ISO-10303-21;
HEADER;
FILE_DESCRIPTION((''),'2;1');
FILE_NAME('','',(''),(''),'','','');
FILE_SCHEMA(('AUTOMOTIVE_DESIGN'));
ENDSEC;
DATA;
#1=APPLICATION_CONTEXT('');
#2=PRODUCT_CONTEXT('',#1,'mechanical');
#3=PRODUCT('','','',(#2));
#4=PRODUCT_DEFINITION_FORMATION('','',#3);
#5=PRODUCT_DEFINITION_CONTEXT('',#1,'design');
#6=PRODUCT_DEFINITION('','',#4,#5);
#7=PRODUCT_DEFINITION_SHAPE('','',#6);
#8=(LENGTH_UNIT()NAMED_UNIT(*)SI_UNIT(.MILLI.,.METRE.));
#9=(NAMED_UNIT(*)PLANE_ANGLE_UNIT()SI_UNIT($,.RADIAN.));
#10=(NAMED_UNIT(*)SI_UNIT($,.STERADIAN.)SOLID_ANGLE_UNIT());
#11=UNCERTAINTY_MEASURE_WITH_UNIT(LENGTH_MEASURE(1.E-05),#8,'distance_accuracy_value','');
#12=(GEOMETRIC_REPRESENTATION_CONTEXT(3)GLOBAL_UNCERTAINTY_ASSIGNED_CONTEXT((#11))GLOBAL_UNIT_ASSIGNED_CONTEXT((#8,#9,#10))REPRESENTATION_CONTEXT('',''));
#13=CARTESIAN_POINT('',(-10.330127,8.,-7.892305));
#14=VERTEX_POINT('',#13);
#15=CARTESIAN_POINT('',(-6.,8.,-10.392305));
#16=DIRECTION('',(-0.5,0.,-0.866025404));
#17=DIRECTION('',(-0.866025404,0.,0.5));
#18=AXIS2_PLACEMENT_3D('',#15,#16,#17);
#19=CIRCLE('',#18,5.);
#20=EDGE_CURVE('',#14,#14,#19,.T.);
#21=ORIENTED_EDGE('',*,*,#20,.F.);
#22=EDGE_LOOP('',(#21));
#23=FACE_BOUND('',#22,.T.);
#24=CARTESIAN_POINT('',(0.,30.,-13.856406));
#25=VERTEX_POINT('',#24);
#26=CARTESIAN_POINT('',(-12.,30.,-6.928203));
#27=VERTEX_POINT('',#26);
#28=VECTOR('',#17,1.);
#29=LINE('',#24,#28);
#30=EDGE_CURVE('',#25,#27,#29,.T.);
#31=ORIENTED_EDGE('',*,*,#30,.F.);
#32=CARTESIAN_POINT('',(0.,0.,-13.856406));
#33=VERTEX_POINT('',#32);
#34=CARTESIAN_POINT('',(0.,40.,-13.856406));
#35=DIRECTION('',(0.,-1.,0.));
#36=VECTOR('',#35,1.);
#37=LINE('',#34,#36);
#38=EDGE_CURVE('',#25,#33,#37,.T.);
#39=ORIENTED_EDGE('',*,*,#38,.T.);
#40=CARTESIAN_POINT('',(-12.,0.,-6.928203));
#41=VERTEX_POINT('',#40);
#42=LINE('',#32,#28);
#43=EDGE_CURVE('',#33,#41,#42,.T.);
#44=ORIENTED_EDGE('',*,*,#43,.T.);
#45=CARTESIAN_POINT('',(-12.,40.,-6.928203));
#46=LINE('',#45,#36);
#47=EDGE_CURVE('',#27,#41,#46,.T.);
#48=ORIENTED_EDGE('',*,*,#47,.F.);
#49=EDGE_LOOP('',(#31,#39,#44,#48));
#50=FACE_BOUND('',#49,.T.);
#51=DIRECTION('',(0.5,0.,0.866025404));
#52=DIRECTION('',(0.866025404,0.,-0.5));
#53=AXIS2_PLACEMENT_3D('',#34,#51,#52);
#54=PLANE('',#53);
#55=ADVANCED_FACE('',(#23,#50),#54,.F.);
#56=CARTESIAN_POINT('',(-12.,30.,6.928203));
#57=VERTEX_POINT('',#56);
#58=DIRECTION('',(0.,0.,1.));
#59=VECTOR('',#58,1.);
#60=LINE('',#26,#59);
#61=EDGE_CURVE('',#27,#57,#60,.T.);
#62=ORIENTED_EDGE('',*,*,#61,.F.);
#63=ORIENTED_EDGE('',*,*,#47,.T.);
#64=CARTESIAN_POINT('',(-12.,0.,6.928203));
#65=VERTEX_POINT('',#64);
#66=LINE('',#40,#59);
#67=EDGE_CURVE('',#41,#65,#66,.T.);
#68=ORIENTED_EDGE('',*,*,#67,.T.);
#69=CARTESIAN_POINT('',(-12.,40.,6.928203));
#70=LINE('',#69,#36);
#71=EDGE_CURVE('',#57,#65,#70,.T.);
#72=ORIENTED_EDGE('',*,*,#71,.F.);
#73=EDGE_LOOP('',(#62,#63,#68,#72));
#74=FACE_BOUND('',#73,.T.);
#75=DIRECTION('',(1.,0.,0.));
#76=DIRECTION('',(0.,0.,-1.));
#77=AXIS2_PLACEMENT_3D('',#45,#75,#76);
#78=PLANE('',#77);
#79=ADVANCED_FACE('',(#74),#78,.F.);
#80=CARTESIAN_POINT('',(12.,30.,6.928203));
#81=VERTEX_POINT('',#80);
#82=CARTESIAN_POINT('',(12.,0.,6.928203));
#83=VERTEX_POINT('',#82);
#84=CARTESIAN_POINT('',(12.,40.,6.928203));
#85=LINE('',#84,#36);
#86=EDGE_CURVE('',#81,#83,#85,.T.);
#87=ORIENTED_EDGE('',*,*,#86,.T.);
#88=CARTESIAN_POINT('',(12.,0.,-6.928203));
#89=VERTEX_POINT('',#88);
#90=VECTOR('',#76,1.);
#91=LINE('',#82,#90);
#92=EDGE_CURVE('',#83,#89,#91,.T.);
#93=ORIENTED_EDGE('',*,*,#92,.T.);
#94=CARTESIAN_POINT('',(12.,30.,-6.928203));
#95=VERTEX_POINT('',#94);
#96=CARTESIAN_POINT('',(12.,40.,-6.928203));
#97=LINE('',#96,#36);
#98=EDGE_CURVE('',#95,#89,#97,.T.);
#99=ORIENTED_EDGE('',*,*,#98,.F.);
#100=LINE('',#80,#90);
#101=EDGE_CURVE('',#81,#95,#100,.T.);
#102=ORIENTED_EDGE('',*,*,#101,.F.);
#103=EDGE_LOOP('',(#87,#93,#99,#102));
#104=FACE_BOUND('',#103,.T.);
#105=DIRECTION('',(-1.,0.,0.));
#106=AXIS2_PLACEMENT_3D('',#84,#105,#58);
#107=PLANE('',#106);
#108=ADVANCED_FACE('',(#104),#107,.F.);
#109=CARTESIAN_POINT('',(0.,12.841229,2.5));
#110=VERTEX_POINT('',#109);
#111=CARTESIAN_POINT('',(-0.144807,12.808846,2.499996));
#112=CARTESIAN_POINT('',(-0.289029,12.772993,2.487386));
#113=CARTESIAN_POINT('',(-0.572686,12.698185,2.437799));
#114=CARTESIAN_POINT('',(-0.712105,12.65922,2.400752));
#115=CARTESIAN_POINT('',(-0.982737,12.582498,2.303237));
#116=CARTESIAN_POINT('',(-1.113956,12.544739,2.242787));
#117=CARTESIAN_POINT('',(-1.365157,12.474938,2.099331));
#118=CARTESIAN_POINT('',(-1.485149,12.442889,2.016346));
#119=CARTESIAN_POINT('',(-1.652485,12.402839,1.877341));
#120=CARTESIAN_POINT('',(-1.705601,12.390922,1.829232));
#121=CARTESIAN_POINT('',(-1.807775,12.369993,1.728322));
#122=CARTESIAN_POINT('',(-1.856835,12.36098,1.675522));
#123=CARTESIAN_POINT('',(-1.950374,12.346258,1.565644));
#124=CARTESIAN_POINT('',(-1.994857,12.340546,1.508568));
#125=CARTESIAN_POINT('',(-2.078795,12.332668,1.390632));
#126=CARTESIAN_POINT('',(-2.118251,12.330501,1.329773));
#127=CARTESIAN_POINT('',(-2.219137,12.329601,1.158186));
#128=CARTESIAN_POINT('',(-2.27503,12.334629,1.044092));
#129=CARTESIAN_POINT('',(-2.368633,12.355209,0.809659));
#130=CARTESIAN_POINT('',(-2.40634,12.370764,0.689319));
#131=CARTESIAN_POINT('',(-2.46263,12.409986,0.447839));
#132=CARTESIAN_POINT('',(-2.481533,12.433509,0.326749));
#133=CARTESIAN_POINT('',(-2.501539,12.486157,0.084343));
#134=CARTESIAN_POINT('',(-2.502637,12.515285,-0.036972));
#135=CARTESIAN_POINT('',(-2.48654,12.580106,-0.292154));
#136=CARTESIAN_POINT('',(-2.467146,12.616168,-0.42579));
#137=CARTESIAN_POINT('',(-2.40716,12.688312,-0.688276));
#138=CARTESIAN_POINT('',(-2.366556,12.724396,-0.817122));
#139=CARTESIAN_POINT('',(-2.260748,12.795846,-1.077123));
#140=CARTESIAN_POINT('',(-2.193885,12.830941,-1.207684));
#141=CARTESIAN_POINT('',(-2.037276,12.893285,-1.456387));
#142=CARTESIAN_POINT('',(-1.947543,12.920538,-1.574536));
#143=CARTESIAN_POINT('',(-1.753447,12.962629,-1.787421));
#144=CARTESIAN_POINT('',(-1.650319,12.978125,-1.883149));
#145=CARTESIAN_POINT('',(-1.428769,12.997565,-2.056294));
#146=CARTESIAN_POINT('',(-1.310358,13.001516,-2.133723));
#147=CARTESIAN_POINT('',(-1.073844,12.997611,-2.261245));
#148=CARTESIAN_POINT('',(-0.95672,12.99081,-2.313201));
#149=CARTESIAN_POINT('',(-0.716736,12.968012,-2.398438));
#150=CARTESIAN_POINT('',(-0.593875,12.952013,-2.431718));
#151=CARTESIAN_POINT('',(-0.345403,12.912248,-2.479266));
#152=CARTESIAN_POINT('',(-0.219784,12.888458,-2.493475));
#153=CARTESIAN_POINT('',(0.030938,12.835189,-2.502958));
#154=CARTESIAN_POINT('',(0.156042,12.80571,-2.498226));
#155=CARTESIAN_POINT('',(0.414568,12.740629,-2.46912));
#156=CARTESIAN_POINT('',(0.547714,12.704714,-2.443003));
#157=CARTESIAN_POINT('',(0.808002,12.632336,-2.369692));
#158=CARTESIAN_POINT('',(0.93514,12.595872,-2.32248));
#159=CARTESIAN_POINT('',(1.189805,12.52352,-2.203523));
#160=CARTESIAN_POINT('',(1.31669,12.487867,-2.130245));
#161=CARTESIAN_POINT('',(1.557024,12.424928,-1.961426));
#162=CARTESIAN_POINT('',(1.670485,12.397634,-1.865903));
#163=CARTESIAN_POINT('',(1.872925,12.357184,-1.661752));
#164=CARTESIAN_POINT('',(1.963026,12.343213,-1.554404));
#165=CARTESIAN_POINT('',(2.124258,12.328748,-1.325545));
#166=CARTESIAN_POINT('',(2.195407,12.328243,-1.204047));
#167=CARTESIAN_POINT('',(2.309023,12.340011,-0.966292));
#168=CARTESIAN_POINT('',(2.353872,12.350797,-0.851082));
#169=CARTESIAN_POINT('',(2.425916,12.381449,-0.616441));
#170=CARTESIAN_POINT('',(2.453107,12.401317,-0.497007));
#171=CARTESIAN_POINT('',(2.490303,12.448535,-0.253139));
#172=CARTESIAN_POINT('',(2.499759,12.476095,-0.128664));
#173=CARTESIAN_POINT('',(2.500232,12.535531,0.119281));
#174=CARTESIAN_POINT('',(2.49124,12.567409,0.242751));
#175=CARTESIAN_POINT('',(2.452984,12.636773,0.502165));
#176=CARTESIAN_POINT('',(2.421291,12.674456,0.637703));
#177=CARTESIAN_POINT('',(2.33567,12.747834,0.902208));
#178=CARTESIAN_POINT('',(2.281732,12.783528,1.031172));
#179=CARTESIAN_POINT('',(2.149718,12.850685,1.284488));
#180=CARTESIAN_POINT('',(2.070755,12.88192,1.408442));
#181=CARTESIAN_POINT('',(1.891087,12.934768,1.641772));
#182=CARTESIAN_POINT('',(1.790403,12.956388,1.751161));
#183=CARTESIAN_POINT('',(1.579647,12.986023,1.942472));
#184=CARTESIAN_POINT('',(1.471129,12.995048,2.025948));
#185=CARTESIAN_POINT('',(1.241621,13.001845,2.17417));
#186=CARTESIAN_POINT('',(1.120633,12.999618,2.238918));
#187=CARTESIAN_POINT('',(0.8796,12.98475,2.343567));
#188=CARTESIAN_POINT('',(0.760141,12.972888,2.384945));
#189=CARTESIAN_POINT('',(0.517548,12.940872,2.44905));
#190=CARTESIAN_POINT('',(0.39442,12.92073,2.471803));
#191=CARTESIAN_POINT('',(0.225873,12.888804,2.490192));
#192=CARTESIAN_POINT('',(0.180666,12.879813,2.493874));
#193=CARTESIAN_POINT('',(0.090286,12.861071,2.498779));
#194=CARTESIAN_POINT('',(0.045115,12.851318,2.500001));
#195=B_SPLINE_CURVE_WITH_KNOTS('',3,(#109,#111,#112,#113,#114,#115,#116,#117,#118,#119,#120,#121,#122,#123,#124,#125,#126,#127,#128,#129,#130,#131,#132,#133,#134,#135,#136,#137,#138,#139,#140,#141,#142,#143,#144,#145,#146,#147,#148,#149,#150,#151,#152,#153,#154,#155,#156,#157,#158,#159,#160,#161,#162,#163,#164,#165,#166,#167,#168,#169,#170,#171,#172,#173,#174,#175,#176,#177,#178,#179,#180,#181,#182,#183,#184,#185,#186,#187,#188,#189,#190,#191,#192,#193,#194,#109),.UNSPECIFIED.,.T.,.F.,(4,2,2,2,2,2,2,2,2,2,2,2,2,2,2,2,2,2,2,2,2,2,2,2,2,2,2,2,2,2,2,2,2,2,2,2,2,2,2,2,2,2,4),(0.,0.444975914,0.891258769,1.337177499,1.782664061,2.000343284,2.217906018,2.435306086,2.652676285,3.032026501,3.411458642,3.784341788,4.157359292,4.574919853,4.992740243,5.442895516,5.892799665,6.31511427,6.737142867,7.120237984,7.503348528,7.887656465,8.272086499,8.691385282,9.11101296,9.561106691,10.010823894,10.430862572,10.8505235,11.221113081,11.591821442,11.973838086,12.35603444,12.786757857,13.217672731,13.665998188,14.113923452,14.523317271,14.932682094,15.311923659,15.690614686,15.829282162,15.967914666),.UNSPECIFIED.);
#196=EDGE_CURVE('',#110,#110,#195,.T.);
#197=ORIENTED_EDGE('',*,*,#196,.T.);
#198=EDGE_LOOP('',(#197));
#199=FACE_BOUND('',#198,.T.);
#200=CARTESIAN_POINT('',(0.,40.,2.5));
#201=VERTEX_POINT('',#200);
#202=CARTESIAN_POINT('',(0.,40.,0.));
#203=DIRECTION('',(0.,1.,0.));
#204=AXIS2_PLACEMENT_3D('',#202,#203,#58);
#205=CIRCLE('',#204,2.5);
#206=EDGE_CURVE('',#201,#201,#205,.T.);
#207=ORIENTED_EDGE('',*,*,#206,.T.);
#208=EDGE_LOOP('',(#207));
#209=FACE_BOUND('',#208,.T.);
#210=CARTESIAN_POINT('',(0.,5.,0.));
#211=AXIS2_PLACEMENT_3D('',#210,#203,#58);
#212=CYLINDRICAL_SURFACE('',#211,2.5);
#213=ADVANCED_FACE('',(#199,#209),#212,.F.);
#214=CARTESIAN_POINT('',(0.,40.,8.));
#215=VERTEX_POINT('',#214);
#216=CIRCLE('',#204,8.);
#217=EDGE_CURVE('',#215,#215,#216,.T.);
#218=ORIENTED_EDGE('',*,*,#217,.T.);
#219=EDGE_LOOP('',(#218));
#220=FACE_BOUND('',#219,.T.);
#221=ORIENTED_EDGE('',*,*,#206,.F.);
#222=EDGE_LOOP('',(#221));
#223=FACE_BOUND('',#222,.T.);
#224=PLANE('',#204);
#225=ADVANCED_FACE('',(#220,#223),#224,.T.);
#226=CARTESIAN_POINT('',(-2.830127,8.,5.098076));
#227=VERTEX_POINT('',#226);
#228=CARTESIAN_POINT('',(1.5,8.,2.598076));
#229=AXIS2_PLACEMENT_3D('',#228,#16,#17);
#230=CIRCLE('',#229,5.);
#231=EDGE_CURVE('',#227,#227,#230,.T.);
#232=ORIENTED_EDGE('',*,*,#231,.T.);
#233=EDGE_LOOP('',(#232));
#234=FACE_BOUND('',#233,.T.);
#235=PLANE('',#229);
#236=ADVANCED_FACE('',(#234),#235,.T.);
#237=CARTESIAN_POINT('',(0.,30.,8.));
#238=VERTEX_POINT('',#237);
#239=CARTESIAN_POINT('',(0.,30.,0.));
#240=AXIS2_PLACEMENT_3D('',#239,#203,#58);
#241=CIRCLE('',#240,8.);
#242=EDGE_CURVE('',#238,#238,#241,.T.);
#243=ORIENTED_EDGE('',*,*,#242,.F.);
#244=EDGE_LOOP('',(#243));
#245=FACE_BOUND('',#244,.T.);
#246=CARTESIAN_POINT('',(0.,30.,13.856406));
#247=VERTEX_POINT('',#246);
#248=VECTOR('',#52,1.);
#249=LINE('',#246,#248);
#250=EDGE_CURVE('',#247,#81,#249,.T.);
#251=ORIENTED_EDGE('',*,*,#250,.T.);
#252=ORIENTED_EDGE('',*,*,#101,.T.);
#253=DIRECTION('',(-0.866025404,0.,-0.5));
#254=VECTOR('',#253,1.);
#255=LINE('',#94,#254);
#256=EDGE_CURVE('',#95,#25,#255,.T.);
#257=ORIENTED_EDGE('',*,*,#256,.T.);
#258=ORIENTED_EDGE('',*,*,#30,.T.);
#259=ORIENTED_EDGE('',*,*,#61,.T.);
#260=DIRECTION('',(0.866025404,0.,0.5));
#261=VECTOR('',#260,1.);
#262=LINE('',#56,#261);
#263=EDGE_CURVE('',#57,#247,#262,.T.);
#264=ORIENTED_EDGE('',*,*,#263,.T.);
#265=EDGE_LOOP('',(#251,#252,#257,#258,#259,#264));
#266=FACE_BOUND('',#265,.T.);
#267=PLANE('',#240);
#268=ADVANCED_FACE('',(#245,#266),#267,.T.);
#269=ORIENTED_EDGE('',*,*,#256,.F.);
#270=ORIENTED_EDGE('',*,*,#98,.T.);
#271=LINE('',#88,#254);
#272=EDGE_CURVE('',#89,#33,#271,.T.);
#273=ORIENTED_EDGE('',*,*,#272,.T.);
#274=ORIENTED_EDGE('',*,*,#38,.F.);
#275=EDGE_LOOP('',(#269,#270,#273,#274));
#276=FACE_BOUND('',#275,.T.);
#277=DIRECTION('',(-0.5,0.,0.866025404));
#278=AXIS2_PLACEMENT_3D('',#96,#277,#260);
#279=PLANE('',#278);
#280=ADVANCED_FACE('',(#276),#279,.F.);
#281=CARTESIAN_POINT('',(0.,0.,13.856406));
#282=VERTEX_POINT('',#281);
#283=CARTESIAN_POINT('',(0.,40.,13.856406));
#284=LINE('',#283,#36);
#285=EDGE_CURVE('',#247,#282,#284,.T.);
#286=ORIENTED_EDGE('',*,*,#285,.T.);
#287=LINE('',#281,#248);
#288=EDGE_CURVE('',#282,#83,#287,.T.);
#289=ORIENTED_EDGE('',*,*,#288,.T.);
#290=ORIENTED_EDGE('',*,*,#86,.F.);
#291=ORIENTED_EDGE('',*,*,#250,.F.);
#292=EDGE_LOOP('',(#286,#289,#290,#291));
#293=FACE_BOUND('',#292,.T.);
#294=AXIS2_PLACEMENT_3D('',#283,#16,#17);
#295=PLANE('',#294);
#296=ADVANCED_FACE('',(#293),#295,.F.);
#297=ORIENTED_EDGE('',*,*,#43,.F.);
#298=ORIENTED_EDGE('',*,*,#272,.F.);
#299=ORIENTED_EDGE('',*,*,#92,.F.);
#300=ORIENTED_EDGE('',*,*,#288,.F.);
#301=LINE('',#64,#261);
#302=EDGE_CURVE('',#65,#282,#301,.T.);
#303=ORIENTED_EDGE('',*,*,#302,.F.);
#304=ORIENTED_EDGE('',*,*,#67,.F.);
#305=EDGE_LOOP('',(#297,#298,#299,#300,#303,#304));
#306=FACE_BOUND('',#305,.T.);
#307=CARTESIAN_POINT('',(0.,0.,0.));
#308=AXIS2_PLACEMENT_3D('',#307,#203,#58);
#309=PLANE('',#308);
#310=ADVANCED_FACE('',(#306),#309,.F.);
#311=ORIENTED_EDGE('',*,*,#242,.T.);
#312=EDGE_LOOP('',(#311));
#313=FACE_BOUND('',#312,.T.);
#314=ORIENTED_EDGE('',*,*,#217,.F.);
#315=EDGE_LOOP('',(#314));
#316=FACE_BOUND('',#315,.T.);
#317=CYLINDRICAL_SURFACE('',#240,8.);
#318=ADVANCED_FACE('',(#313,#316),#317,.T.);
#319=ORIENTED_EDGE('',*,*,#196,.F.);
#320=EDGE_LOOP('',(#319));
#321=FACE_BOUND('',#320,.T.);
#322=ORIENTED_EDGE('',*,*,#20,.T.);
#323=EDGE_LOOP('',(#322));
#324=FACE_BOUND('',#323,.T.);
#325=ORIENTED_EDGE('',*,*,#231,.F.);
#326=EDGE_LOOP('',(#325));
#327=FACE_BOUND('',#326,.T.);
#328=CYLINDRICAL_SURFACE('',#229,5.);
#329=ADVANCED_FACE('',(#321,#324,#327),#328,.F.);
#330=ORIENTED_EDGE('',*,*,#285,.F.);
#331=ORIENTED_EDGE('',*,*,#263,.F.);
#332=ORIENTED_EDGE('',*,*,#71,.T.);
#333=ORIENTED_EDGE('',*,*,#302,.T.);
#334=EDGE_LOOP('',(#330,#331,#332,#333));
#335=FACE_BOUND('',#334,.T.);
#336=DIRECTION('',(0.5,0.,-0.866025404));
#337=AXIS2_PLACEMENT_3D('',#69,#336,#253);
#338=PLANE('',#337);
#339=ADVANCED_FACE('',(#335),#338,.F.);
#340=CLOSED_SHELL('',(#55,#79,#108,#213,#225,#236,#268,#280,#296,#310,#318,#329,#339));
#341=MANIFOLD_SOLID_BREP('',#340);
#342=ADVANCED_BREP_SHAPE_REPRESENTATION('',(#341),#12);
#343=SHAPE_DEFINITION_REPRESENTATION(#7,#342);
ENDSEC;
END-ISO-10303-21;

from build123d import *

# Parameters (mm, degrees)
EXTRUDE_1_DEPTH     = 40
SKETCH_3_R          = 2.5
CUT_EXTRUDE_2_DEPTH = 35
SKETCH_4_OUTSIDE_W  = 36.852
SKETCH_4_OUTSIDE_H  = 40.564
SKETCH_4_OUTSIDE_R  = 8
CUT_EXTRUDE_3_DEPTH = 10
SKETCH_5_R          = 5
CUT_EXTRUDE_4_DEPTH = 15


with BuildPart() as part:
    # Эскиз1 → Бобышка-Вытянуть1 (new body)
    with BuildSketch(Plane(origin=(0, 0, 0), x_dir=(1, 0, 0), z_dir=(0, 1, 0))):
        Polygon((0, 13.856406461), (-12, 6.92820323), (-12, -6.92820323), (0, -13.856406461), (12, -6.92820323), (12, 6.92820323), align=None)
    extrude(amount=EXTRUDE_1_DEPTH)

    # Эскиз3 → Вырез-Вытянуть2 (cut)
    with BuildSketch(Plane(origin=(0, 40, 0), x_dir=(1, 0, 0), z_dir=(0, 1, 0))):
        Circle(SKETCH_3_R)
    extrude(amount=-CUT_EXTRUDE_2_DEPTH, mode=Mode.SUBTRACT)

    # Эскиз4 outside → Вырез-Вытянуть3 (cut)
    with BuildSketch(Plane(origin=(0, 40, 0), x_dir=(1, 0, 0), z_dir=(0, 1, 0))):
        Rectangle(SKETCH_4_OUTSIDE_W, SKETCH_4_OUTSIDE_H)
        Circle(SKETCH_4_OUTSIDE_R, mode=Mode.SUBTRACT)
    extrude(amount=-CUT_EXTRUDE_3_DEPTH, mode=Mode.SUBTRACT)

    # Эскиз5 → Вырез-Вытянуть4 (cut)
    with BuildSketch(Plane(origin=(-6, 0, -10.392304845), x_dir=(-0.866025404, 0, 0.5), z_dir=(-0.5, 0, -0.866025404))):
        with Locations((0, 8)):
            Circle(SKETCH_5_R)
    extrude(amount=-CUT_EXTRUDE_4_DEPTH, mode=Mode.SUBTRACT)


solid = part.part
